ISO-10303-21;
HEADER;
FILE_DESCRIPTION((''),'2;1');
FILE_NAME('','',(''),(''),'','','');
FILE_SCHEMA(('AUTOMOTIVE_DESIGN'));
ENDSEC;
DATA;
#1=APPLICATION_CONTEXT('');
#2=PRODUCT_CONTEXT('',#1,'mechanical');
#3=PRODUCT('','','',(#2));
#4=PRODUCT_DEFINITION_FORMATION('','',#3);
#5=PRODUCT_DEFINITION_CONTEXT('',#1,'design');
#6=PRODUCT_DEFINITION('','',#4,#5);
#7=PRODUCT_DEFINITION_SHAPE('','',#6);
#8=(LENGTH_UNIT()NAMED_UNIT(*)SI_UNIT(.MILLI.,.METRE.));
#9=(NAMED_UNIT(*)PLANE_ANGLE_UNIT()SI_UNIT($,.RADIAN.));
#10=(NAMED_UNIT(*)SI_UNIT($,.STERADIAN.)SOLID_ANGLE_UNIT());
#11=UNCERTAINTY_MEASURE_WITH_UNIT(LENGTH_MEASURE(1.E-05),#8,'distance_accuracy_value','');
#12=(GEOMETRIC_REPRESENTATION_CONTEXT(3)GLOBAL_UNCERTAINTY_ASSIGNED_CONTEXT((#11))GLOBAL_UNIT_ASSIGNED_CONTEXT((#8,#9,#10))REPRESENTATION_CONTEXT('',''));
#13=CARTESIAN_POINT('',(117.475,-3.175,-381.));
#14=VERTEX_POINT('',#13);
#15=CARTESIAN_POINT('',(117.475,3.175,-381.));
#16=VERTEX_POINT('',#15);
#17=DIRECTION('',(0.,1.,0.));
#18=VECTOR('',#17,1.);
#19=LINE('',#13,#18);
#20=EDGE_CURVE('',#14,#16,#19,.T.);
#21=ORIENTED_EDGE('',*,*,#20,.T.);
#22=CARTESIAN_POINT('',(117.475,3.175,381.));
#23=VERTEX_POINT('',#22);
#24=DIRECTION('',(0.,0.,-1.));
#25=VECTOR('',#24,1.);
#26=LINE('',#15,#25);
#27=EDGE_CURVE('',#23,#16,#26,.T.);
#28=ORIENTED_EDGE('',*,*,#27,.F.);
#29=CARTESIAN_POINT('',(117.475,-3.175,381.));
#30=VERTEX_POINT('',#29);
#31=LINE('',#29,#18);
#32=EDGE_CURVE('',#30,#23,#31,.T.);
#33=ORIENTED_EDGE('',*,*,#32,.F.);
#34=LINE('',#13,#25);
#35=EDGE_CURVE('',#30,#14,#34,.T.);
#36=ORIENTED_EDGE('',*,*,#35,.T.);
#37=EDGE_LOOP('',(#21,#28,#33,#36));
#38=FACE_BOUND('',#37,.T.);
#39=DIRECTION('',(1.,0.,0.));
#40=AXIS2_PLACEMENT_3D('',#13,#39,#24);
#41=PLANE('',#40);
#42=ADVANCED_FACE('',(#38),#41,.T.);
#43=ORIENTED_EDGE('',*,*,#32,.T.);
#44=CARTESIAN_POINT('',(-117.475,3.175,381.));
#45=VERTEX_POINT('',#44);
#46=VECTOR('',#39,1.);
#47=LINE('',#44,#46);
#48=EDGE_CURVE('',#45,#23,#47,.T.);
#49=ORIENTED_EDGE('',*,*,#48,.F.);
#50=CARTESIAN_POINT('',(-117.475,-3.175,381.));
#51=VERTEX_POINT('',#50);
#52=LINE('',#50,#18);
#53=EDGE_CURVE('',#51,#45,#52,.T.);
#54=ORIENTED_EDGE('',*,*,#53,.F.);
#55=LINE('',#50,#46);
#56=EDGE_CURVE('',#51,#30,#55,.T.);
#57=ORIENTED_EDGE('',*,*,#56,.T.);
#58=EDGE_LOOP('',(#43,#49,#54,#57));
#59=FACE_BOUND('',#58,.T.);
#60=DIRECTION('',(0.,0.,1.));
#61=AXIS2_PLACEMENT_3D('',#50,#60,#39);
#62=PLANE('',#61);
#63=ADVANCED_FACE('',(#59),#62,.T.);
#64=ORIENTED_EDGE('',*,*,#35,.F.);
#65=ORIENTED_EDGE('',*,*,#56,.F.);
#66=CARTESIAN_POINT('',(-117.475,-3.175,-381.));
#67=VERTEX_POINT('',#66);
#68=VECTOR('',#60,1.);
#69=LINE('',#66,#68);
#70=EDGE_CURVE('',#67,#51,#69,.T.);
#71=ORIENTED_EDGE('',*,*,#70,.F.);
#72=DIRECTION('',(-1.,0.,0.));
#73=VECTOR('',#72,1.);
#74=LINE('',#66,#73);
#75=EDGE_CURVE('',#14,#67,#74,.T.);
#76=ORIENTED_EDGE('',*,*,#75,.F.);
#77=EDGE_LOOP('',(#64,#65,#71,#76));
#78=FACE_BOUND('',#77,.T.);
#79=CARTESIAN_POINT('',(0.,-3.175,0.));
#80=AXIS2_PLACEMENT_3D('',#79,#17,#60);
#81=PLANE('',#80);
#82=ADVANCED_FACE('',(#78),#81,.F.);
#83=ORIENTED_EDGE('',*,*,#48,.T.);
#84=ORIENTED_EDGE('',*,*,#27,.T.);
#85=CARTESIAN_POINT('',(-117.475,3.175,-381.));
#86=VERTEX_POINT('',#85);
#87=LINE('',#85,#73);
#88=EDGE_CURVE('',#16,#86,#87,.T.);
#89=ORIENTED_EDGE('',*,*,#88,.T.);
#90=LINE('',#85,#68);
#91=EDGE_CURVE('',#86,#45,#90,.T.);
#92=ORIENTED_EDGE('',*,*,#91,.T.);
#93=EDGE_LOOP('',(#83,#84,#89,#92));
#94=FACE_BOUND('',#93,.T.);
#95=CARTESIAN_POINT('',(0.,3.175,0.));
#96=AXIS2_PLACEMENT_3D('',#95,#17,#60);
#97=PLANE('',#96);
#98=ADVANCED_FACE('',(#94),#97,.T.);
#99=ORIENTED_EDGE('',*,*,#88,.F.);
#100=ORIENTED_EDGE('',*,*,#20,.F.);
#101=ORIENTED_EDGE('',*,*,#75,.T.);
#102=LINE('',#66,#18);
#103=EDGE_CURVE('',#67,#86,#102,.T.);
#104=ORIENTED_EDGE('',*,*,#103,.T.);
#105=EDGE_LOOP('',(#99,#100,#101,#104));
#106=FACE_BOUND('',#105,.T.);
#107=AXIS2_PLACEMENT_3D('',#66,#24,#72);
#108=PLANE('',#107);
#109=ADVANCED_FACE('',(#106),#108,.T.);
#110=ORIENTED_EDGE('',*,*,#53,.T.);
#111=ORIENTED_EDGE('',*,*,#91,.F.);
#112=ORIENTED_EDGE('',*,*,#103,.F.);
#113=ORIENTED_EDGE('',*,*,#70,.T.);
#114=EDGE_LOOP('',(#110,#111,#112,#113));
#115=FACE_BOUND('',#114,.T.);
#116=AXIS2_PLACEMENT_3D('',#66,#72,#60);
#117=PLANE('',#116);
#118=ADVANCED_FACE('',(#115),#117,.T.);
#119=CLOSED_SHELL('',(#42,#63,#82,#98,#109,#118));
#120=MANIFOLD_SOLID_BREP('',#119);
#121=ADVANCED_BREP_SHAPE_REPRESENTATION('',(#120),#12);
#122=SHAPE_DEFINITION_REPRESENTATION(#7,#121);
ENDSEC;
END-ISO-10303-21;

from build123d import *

# Parameters (mm, degrees)
BOSS_EXTRUDE1_DEPTH      = 3.175
BOSS_EXTRUDE1_DEPTH_BACK = 3.175
SKETCH1_W                = 234.95
SKETCH1_H                = 762


with BuildPart() as part:
    # Sketch1 → Boss-Extrude1 (new, two sides: drawn at the far end of the back side and taken through both)
    with BuildSketch(Plane(origin=(0, 0, 0), x_dir=(1, 0, 0), z_dir=(0, 1, 0)).offset(-BOSS_EXTRUDE1_DEPTH_BACK)):
        Rectangle(SKETCH1_W, SKETCH1_H)
    extrude(amount=BOSS_EXTRUDE1_DEPTH + BOSS_EXTRUDE1_DEPTH_BACK)


solid = part.part
